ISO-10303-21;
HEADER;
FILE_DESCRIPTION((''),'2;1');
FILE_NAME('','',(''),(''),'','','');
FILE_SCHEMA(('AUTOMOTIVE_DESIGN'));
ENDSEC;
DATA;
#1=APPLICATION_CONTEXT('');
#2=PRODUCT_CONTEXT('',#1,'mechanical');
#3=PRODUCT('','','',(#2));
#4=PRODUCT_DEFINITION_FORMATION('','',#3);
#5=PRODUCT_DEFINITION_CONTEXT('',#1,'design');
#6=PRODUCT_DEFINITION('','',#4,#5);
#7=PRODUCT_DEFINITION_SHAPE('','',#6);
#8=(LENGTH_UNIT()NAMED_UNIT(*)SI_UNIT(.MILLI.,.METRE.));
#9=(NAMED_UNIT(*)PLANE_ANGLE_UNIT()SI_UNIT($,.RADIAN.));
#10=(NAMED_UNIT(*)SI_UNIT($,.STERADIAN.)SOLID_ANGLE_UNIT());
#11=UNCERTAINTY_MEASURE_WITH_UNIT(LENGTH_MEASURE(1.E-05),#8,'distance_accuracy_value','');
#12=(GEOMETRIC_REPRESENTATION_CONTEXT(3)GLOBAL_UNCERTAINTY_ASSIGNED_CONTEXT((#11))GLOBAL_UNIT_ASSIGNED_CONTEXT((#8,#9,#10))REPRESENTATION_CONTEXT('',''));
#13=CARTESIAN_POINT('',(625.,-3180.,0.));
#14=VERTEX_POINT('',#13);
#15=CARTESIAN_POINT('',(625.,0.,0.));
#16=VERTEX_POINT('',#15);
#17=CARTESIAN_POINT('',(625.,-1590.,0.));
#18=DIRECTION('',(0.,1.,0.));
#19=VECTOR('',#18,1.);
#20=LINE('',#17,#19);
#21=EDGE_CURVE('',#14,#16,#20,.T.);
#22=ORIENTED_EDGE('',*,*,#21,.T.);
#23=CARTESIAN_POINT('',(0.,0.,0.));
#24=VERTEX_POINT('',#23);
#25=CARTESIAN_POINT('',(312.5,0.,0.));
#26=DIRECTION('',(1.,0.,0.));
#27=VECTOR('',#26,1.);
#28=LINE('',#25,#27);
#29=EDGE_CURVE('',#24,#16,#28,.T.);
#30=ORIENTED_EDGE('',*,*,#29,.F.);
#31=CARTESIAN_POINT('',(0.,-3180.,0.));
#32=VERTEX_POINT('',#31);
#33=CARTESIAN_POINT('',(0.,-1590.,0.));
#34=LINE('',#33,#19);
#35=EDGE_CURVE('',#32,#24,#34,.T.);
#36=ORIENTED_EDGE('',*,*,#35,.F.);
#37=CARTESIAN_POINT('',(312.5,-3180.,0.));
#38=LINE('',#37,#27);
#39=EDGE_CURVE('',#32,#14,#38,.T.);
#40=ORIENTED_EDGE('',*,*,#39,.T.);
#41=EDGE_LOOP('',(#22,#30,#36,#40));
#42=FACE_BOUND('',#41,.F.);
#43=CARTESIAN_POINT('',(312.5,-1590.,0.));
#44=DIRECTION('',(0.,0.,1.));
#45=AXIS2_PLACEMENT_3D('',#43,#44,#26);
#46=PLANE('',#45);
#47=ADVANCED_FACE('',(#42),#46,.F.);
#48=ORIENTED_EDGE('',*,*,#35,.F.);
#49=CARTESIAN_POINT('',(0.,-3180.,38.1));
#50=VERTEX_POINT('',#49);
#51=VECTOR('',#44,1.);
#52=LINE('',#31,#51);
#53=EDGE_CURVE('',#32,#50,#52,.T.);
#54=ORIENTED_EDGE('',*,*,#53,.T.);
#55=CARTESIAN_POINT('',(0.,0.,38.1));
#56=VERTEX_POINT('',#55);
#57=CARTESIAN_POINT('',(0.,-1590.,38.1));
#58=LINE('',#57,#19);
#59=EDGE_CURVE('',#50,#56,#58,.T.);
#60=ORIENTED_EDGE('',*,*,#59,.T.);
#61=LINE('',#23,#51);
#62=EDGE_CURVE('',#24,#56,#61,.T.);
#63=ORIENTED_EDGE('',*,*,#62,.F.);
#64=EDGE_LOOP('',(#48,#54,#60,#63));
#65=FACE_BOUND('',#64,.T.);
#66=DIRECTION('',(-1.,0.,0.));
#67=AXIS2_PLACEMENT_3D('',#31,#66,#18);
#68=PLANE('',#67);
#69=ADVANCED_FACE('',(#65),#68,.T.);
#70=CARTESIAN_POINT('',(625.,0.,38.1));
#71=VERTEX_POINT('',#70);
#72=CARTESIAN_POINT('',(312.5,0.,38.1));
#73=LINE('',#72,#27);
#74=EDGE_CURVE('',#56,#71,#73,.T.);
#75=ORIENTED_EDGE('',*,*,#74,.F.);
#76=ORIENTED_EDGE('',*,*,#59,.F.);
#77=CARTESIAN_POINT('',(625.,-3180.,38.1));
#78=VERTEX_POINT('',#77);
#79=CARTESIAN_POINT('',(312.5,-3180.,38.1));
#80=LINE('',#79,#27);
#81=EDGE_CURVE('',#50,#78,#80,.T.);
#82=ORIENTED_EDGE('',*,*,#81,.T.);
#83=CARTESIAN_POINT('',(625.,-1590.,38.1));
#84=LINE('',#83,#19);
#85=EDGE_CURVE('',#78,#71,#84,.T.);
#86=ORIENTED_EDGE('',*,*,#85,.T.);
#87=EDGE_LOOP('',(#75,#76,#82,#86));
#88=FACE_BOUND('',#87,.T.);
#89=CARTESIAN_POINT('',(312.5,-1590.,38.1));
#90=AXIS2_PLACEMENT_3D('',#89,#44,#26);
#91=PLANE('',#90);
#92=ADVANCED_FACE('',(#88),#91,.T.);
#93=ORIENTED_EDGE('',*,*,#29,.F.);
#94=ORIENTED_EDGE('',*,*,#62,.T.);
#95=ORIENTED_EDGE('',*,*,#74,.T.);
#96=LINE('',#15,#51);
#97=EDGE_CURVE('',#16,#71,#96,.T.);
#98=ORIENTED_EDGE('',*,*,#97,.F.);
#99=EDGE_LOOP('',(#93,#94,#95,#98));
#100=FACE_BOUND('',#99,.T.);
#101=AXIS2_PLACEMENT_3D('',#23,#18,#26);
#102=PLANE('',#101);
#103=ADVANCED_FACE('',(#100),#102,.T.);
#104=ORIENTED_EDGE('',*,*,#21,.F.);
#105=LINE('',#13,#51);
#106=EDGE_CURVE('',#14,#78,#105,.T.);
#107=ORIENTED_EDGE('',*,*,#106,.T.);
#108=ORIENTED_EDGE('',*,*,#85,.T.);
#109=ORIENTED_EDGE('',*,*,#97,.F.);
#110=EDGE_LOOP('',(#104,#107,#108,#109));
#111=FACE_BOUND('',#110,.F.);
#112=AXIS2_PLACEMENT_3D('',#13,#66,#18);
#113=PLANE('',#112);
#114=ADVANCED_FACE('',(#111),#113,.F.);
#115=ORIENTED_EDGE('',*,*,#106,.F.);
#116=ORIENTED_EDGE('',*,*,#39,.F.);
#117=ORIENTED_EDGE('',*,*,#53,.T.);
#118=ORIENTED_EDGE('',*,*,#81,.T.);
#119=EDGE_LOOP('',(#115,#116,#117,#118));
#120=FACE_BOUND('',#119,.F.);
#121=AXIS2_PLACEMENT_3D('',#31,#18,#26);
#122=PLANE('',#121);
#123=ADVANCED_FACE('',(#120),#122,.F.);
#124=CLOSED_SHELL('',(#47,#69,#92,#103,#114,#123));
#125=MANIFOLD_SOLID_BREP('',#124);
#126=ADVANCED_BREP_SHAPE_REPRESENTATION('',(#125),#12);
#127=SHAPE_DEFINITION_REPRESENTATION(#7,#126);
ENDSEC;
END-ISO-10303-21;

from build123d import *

# Parameters (mm, degrees)
SKETCH_W  = 625
SKETCH_H  = 3180
PAD_DEPTH = 38.1


with BuildPart() as part:
    # Sketch → Pad (new body)
    with BuildSketch(Plane.XY):
        with Locations((312.5, -1590)):
            Rectangle(SKETCH_W, SKETCH_H)
    extrude(amount=PAD_DEPTH)


solid = part.part
